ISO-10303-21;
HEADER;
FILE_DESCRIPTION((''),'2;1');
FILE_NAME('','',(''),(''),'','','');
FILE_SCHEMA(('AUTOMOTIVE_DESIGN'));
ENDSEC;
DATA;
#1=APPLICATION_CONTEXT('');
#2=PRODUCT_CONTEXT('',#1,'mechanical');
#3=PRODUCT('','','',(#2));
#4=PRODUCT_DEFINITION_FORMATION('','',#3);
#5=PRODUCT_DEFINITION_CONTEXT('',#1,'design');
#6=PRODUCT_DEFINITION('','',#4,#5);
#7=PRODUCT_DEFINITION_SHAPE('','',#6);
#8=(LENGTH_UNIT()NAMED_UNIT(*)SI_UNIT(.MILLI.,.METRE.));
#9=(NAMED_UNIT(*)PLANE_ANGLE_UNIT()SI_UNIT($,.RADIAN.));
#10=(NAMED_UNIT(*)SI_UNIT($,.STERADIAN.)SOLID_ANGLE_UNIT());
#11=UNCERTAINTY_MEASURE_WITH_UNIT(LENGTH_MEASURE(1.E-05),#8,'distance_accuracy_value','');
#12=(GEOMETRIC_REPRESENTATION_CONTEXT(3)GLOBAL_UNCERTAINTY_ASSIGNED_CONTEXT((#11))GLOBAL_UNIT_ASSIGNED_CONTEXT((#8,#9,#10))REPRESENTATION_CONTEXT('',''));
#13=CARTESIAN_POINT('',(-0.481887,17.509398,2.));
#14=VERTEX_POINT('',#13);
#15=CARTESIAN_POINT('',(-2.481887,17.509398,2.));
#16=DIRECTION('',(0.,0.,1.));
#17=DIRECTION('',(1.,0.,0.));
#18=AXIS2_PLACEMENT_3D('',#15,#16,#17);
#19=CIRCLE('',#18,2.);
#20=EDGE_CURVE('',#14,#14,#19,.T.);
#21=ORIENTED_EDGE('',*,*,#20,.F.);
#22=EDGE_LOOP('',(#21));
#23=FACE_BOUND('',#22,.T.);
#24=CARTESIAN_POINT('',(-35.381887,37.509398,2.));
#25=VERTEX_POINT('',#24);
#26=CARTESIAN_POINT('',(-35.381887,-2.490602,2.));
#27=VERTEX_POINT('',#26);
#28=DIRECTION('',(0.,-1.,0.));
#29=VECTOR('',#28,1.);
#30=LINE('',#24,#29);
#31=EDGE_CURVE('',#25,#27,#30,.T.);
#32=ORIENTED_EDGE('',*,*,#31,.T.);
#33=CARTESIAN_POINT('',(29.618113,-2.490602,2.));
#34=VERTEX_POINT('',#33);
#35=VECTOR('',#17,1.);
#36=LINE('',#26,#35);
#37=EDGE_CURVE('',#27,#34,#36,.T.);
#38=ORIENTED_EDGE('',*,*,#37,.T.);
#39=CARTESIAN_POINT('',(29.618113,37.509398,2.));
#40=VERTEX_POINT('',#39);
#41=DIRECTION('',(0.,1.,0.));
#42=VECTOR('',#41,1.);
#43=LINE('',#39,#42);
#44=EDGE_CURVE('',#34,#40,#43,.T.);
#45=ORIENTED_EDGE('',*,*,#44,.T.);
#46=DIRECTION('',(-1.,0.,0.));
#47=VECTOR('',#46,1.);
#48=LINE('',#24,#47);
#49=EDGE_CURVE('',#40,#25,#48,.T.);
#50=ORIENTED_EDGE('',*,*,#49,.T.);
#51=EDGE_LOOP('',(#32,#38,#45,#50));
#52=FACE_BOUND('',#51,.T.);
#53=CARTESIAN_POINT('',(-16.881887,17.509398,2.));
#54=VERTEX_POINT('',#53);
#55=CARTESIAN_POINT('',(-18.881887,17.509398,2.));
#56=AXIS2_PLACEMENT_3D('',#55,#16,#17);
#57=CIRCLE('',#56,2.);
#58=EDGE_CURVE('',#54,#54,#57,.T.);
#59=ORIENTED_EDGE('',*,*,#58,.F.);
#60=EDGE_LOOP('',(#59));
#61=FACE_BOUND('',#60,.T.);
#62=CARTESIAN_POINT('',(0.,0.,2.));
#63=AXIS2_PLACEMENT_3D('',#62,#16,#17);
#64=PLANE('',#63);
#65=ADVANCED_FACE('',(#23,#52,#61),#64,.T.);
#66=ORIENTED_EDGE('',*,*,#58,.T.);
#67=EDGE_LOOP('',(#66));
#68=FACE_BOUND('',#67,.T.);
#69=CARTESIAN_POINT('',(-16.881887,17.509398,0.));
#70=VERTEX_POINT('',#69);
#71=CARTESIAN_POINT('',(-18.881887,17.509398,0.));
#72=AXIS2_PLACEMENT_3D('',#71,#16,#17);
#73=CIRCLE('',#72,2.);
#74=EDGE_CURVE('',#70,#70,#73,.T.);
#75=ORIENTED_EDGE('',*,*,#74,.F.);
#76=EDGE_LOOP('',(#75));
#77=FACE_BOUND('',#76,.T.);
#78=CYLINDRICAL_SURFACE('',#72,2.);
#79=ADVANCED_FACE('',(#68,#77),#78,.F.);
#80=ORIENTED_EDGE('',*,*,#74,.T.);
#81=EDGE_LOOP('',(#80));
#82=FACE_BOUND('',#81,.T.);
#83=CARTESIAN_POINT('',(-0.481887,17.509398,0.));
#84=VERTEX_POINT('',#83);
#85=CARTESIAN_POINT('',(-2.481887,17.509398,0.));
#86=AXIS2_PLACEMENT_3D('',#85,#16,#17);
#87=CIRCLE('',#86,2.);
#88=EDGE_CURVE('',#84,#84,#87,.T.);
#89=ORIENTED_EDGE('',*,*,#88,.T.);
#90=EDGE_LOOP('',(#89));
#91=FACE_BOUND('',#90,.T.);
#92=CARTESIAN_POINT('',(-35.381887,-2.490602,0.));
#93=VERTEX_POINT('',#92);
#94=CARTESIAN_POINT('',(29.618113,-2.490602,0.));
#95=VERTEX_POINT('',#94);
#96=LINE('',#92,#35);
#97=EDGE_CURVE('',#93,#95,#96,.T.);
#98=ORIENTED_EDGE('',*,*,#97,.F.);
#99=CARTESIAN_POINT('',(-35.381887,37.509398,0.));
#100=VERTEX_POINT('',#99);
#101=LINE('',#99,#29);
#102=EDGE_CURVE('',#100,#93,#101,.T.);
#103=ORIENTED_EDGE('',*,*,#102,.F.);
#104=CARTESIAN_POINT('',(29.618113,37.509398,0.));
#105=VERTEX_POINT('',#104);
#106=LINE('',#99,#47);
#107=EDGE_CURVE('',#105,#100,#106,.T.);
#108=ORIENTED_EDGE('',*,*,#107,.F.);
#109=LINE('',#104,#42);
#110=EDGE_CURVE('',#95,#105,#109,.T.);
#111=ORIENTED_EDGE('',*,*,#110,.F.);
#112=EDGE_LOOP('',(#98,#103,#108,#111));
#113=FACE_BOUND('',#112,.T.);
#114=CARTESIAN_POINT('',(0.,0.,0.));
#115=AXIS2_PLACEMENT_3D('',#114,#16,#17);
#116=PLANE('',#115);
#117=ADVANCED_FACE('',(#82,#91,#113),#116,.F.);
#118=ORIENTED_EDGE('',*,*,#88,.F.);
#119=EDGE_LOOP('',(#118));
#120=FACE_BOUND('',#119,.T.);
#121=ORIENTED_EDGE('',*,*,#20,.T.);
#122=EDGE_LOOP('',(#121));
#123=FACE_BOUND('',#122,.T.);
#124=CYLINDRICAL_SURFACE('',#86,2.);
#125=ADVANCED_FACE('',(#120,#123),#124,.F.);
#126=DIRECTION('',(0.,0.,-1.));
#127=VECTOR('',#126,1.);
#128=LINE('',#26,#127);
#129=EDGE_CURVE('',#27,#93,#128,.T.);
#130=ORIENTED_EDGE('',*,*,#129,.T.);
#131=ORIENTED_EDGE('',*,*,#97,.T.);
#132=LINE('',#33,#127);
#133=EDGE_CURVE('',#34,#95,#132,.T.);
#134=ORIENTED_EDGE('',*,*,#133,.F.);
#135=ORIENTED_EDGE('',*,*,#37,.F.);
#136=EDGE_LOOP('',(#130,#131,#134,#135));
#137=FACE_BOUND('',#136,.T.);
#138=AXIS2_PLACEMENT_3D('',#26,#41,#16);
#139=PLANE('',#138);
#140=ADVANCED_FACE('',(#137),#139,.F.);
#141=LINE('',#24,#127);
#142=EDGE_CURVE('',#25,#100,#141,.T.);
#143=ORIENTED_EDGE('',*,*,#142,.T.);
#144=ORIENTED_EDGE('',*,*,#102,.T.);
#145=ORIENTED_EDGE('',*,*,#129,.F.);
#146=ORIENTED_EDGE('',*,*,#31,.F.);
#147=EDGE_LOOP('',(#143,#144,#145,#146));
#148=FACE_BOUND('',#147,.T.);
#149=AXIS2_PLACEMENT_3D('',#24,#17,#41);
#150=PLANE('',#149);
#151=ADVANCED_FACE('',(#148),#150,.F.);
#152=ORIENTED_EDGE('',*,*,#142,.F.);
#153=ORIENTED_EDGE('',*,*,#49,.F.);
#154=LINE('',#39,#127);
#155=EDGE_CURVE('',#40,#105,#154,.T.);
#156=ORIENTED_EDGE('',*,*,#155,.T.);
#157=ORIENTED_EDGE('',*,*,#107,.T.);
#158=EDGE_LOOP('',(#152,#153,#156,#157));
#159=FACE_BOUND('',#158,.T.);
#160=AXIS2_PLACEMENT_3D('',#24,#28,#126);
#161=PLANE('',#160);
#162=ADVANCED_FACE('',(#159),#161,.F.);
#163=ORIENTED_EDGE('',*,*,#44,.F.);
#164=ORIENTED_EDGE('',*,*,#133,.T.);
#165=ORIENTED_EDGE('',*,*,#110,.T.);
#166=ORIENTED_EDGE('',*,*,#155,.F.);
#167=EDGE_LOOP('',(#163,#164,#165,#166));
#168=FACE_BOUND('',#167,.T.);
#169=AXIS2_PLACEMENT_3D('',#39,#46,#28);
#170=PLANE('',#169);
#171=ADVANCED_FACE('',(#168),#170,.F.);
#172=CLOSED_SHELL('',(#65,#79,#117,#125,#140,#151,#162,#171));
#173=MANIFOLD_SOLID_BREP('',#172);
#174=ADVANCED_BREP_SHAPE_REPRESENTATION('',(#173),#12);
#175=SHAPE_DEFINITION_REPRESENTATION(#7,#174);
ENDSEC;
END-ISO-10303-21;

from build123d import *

# Parameters (mm, degrees)
ESBO_O1_W                = 65
ESBO_O1_H                = 40
RESSALTO_EXTRUS_O1_DEPTH = 2
ESBO_O2_R                = 2
CORTE_EXTRUS_O1_DEPTH    = 52.602644659


with BuildPart() as part:
    # Esboço1 → Ressalto-extrusão1 (new body)
    with BuildSketch(Plane.XY):
        with Locations((-2.88188746, 17.509398496)):
            Rectangle(ESBO_O1_W, ESBO_O1_H)
    extrude(amount=RESSALTO_EXTRUS_O1_DEPTH)

    # Esboço2 → Corte-extrusão1 (cut, through all)
    with BuildSketch(Plane.XY.offset(2)):
        with Locations((-18.88188746, 17.509398496)):
            Circle(ESBO_O2_R)
        with Locations((-2.48188746, 17.509398496)):
            Circle(ESBO_O2_R)
    extrude(amount=-CORTE_EXTRUS_O1_DEPTH, mode=Mode.SUBTRACT)


solid = part.part
